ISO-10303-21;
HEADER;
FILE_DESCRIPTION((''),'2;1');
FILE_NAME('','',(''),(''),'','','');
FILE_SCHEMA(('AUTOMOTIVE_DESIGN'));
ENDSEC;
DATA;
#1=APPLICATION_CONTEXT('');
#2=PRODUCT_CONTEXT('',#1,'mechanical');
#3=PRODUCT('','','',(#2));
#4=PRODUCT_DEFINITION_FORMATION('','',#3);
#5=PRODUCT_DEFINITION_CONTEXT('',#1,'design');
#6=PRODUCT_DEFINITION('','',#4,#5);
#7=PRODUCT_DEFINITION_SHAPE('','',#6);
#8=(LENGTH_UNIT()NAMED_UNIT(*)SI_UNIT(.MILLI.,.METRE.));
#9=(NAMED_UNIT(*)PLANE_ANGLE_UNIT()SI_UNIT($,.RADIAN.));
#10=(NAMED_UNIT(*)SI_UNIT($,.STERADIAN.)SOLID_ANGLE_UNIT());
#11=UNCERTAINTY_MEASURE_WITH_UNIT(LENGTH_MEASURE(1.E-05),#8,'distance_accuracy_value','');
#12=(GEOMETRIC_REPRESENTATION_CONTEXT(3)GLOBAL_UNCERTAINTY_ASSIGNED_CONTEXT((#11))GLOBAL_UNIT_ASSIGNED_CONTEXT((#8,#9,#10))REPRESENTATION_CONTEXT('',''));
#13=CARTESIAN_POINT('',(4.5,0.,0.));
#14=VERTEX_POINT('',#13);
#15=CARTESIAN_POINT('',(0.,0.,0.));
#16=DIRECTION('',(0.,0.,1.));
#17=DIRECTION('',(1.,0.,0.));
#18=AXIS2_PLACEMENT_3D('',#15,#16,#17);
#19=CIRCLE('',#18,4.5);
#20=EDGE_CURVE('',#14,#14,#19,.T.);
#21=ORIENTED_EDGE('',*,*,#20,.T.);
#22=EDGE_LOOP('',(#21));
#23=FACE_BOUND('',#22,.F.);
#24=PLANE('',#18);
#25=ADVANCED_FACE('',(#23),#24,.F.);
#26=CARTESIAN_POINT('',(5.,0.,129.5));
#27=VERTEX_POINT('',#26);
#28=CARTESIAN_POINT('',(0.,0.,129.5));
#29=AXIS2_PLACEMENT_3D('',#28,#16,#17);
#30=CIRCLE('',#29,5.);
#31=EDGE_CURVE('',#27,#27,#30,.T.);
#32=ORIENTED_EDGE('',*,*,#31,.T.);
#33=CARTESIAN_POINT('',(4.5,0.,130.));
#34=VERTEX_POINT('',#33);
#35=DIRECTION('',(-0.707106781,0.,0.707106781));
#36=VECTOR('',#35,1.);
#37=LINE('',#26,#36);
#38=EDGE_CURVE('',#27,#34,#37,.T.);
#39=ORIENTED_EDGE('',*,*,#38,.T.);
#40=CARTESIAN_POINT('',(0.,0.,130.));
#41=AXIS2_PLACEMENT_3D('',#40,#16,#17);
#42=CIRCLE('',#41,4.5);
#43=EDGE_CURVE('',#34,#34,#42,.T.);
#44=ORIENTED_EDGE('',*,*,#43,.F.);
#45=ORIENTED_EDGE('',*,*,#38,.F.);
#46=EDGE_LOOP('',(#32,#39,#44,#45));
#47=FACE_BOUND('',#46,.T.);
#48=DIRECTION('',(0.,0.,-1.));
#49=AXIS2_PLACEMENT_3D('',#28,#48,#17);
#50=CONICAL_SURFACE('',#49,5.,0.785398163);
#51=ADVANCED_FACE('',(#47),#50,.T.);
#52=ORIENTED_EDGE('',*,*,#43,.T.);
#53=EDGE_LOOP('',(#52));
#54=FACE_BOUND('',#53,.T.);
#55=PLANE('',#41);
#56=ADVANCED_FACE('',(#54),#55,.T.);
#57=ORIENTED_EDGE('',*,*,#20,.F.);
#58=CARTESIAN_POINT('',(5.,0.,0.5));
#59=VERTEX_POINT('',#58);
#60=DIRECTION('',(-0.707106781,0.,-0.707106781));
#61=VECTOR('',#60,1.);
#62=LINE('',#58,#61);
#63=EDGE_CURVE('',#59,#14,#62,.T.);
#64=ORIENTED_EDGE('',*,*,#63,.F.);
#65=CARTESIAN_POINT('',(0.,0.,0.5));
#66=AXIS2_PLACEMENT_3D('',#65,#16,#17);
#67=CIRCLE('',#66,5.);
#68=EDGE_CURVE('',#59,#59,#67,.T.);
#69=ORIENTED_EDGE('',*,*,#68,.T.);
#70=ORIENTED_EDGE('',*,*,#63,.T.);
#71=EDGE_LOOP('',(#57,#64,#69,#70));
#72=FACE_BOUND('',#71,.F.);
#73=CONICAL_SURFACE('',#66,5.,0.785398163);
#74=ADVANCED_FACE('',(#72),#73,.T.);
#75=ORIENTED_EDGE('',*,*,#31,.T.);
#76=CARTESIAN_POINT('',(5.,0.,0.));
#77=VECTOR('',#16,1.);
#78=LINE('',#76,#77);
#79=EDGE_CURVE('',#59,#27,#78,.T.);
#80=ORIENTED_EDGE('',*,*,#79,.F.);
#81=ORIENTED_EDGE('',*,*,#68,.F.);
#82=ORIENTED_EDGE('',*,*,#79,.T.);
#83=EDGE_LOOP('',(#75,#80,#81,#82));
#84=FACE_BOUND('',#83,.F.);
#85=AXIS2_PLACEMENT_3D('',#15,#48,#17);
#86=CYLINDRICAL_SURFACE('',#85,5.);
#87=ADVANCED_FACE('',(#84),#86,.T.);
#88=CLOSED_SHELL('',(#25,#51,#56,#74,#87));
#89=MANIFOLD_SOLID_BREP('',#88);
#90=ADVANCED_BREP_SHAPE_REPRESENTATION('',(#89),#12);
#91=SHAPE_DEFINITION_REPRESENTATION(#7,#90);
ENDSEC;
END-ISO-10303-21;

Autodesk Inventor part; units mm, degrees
ref_plane "YZ Plane" through (0, 0, 0) normal (1, 0, 0) x (0, 1, 0)
ref_plane "XZ Plane" through (0, 0, 0) normal (0, 1, 0) x (-1, 0, 0)
ref_plane "XY Plane" through (0, 0, 0) normal (0, 0, 1) x (1, 0, 0)
sketch "Sketch1" plane through (0, 0, 0) normal (0, 0, 1) x (1, 0, 0)
  circle A0 centre (0, 0) radius 5
  dimension "d0" = 10
extrude "Extrusion1" add sketch "Sketch1" along normal blind 130
chamfer "Chamfer1" distance 0.5 angle 45 2 edges at (-5, 0, 130) (-5, 0, 0)
properties part number "linear-guide-z" material "Galvanized Steel"
